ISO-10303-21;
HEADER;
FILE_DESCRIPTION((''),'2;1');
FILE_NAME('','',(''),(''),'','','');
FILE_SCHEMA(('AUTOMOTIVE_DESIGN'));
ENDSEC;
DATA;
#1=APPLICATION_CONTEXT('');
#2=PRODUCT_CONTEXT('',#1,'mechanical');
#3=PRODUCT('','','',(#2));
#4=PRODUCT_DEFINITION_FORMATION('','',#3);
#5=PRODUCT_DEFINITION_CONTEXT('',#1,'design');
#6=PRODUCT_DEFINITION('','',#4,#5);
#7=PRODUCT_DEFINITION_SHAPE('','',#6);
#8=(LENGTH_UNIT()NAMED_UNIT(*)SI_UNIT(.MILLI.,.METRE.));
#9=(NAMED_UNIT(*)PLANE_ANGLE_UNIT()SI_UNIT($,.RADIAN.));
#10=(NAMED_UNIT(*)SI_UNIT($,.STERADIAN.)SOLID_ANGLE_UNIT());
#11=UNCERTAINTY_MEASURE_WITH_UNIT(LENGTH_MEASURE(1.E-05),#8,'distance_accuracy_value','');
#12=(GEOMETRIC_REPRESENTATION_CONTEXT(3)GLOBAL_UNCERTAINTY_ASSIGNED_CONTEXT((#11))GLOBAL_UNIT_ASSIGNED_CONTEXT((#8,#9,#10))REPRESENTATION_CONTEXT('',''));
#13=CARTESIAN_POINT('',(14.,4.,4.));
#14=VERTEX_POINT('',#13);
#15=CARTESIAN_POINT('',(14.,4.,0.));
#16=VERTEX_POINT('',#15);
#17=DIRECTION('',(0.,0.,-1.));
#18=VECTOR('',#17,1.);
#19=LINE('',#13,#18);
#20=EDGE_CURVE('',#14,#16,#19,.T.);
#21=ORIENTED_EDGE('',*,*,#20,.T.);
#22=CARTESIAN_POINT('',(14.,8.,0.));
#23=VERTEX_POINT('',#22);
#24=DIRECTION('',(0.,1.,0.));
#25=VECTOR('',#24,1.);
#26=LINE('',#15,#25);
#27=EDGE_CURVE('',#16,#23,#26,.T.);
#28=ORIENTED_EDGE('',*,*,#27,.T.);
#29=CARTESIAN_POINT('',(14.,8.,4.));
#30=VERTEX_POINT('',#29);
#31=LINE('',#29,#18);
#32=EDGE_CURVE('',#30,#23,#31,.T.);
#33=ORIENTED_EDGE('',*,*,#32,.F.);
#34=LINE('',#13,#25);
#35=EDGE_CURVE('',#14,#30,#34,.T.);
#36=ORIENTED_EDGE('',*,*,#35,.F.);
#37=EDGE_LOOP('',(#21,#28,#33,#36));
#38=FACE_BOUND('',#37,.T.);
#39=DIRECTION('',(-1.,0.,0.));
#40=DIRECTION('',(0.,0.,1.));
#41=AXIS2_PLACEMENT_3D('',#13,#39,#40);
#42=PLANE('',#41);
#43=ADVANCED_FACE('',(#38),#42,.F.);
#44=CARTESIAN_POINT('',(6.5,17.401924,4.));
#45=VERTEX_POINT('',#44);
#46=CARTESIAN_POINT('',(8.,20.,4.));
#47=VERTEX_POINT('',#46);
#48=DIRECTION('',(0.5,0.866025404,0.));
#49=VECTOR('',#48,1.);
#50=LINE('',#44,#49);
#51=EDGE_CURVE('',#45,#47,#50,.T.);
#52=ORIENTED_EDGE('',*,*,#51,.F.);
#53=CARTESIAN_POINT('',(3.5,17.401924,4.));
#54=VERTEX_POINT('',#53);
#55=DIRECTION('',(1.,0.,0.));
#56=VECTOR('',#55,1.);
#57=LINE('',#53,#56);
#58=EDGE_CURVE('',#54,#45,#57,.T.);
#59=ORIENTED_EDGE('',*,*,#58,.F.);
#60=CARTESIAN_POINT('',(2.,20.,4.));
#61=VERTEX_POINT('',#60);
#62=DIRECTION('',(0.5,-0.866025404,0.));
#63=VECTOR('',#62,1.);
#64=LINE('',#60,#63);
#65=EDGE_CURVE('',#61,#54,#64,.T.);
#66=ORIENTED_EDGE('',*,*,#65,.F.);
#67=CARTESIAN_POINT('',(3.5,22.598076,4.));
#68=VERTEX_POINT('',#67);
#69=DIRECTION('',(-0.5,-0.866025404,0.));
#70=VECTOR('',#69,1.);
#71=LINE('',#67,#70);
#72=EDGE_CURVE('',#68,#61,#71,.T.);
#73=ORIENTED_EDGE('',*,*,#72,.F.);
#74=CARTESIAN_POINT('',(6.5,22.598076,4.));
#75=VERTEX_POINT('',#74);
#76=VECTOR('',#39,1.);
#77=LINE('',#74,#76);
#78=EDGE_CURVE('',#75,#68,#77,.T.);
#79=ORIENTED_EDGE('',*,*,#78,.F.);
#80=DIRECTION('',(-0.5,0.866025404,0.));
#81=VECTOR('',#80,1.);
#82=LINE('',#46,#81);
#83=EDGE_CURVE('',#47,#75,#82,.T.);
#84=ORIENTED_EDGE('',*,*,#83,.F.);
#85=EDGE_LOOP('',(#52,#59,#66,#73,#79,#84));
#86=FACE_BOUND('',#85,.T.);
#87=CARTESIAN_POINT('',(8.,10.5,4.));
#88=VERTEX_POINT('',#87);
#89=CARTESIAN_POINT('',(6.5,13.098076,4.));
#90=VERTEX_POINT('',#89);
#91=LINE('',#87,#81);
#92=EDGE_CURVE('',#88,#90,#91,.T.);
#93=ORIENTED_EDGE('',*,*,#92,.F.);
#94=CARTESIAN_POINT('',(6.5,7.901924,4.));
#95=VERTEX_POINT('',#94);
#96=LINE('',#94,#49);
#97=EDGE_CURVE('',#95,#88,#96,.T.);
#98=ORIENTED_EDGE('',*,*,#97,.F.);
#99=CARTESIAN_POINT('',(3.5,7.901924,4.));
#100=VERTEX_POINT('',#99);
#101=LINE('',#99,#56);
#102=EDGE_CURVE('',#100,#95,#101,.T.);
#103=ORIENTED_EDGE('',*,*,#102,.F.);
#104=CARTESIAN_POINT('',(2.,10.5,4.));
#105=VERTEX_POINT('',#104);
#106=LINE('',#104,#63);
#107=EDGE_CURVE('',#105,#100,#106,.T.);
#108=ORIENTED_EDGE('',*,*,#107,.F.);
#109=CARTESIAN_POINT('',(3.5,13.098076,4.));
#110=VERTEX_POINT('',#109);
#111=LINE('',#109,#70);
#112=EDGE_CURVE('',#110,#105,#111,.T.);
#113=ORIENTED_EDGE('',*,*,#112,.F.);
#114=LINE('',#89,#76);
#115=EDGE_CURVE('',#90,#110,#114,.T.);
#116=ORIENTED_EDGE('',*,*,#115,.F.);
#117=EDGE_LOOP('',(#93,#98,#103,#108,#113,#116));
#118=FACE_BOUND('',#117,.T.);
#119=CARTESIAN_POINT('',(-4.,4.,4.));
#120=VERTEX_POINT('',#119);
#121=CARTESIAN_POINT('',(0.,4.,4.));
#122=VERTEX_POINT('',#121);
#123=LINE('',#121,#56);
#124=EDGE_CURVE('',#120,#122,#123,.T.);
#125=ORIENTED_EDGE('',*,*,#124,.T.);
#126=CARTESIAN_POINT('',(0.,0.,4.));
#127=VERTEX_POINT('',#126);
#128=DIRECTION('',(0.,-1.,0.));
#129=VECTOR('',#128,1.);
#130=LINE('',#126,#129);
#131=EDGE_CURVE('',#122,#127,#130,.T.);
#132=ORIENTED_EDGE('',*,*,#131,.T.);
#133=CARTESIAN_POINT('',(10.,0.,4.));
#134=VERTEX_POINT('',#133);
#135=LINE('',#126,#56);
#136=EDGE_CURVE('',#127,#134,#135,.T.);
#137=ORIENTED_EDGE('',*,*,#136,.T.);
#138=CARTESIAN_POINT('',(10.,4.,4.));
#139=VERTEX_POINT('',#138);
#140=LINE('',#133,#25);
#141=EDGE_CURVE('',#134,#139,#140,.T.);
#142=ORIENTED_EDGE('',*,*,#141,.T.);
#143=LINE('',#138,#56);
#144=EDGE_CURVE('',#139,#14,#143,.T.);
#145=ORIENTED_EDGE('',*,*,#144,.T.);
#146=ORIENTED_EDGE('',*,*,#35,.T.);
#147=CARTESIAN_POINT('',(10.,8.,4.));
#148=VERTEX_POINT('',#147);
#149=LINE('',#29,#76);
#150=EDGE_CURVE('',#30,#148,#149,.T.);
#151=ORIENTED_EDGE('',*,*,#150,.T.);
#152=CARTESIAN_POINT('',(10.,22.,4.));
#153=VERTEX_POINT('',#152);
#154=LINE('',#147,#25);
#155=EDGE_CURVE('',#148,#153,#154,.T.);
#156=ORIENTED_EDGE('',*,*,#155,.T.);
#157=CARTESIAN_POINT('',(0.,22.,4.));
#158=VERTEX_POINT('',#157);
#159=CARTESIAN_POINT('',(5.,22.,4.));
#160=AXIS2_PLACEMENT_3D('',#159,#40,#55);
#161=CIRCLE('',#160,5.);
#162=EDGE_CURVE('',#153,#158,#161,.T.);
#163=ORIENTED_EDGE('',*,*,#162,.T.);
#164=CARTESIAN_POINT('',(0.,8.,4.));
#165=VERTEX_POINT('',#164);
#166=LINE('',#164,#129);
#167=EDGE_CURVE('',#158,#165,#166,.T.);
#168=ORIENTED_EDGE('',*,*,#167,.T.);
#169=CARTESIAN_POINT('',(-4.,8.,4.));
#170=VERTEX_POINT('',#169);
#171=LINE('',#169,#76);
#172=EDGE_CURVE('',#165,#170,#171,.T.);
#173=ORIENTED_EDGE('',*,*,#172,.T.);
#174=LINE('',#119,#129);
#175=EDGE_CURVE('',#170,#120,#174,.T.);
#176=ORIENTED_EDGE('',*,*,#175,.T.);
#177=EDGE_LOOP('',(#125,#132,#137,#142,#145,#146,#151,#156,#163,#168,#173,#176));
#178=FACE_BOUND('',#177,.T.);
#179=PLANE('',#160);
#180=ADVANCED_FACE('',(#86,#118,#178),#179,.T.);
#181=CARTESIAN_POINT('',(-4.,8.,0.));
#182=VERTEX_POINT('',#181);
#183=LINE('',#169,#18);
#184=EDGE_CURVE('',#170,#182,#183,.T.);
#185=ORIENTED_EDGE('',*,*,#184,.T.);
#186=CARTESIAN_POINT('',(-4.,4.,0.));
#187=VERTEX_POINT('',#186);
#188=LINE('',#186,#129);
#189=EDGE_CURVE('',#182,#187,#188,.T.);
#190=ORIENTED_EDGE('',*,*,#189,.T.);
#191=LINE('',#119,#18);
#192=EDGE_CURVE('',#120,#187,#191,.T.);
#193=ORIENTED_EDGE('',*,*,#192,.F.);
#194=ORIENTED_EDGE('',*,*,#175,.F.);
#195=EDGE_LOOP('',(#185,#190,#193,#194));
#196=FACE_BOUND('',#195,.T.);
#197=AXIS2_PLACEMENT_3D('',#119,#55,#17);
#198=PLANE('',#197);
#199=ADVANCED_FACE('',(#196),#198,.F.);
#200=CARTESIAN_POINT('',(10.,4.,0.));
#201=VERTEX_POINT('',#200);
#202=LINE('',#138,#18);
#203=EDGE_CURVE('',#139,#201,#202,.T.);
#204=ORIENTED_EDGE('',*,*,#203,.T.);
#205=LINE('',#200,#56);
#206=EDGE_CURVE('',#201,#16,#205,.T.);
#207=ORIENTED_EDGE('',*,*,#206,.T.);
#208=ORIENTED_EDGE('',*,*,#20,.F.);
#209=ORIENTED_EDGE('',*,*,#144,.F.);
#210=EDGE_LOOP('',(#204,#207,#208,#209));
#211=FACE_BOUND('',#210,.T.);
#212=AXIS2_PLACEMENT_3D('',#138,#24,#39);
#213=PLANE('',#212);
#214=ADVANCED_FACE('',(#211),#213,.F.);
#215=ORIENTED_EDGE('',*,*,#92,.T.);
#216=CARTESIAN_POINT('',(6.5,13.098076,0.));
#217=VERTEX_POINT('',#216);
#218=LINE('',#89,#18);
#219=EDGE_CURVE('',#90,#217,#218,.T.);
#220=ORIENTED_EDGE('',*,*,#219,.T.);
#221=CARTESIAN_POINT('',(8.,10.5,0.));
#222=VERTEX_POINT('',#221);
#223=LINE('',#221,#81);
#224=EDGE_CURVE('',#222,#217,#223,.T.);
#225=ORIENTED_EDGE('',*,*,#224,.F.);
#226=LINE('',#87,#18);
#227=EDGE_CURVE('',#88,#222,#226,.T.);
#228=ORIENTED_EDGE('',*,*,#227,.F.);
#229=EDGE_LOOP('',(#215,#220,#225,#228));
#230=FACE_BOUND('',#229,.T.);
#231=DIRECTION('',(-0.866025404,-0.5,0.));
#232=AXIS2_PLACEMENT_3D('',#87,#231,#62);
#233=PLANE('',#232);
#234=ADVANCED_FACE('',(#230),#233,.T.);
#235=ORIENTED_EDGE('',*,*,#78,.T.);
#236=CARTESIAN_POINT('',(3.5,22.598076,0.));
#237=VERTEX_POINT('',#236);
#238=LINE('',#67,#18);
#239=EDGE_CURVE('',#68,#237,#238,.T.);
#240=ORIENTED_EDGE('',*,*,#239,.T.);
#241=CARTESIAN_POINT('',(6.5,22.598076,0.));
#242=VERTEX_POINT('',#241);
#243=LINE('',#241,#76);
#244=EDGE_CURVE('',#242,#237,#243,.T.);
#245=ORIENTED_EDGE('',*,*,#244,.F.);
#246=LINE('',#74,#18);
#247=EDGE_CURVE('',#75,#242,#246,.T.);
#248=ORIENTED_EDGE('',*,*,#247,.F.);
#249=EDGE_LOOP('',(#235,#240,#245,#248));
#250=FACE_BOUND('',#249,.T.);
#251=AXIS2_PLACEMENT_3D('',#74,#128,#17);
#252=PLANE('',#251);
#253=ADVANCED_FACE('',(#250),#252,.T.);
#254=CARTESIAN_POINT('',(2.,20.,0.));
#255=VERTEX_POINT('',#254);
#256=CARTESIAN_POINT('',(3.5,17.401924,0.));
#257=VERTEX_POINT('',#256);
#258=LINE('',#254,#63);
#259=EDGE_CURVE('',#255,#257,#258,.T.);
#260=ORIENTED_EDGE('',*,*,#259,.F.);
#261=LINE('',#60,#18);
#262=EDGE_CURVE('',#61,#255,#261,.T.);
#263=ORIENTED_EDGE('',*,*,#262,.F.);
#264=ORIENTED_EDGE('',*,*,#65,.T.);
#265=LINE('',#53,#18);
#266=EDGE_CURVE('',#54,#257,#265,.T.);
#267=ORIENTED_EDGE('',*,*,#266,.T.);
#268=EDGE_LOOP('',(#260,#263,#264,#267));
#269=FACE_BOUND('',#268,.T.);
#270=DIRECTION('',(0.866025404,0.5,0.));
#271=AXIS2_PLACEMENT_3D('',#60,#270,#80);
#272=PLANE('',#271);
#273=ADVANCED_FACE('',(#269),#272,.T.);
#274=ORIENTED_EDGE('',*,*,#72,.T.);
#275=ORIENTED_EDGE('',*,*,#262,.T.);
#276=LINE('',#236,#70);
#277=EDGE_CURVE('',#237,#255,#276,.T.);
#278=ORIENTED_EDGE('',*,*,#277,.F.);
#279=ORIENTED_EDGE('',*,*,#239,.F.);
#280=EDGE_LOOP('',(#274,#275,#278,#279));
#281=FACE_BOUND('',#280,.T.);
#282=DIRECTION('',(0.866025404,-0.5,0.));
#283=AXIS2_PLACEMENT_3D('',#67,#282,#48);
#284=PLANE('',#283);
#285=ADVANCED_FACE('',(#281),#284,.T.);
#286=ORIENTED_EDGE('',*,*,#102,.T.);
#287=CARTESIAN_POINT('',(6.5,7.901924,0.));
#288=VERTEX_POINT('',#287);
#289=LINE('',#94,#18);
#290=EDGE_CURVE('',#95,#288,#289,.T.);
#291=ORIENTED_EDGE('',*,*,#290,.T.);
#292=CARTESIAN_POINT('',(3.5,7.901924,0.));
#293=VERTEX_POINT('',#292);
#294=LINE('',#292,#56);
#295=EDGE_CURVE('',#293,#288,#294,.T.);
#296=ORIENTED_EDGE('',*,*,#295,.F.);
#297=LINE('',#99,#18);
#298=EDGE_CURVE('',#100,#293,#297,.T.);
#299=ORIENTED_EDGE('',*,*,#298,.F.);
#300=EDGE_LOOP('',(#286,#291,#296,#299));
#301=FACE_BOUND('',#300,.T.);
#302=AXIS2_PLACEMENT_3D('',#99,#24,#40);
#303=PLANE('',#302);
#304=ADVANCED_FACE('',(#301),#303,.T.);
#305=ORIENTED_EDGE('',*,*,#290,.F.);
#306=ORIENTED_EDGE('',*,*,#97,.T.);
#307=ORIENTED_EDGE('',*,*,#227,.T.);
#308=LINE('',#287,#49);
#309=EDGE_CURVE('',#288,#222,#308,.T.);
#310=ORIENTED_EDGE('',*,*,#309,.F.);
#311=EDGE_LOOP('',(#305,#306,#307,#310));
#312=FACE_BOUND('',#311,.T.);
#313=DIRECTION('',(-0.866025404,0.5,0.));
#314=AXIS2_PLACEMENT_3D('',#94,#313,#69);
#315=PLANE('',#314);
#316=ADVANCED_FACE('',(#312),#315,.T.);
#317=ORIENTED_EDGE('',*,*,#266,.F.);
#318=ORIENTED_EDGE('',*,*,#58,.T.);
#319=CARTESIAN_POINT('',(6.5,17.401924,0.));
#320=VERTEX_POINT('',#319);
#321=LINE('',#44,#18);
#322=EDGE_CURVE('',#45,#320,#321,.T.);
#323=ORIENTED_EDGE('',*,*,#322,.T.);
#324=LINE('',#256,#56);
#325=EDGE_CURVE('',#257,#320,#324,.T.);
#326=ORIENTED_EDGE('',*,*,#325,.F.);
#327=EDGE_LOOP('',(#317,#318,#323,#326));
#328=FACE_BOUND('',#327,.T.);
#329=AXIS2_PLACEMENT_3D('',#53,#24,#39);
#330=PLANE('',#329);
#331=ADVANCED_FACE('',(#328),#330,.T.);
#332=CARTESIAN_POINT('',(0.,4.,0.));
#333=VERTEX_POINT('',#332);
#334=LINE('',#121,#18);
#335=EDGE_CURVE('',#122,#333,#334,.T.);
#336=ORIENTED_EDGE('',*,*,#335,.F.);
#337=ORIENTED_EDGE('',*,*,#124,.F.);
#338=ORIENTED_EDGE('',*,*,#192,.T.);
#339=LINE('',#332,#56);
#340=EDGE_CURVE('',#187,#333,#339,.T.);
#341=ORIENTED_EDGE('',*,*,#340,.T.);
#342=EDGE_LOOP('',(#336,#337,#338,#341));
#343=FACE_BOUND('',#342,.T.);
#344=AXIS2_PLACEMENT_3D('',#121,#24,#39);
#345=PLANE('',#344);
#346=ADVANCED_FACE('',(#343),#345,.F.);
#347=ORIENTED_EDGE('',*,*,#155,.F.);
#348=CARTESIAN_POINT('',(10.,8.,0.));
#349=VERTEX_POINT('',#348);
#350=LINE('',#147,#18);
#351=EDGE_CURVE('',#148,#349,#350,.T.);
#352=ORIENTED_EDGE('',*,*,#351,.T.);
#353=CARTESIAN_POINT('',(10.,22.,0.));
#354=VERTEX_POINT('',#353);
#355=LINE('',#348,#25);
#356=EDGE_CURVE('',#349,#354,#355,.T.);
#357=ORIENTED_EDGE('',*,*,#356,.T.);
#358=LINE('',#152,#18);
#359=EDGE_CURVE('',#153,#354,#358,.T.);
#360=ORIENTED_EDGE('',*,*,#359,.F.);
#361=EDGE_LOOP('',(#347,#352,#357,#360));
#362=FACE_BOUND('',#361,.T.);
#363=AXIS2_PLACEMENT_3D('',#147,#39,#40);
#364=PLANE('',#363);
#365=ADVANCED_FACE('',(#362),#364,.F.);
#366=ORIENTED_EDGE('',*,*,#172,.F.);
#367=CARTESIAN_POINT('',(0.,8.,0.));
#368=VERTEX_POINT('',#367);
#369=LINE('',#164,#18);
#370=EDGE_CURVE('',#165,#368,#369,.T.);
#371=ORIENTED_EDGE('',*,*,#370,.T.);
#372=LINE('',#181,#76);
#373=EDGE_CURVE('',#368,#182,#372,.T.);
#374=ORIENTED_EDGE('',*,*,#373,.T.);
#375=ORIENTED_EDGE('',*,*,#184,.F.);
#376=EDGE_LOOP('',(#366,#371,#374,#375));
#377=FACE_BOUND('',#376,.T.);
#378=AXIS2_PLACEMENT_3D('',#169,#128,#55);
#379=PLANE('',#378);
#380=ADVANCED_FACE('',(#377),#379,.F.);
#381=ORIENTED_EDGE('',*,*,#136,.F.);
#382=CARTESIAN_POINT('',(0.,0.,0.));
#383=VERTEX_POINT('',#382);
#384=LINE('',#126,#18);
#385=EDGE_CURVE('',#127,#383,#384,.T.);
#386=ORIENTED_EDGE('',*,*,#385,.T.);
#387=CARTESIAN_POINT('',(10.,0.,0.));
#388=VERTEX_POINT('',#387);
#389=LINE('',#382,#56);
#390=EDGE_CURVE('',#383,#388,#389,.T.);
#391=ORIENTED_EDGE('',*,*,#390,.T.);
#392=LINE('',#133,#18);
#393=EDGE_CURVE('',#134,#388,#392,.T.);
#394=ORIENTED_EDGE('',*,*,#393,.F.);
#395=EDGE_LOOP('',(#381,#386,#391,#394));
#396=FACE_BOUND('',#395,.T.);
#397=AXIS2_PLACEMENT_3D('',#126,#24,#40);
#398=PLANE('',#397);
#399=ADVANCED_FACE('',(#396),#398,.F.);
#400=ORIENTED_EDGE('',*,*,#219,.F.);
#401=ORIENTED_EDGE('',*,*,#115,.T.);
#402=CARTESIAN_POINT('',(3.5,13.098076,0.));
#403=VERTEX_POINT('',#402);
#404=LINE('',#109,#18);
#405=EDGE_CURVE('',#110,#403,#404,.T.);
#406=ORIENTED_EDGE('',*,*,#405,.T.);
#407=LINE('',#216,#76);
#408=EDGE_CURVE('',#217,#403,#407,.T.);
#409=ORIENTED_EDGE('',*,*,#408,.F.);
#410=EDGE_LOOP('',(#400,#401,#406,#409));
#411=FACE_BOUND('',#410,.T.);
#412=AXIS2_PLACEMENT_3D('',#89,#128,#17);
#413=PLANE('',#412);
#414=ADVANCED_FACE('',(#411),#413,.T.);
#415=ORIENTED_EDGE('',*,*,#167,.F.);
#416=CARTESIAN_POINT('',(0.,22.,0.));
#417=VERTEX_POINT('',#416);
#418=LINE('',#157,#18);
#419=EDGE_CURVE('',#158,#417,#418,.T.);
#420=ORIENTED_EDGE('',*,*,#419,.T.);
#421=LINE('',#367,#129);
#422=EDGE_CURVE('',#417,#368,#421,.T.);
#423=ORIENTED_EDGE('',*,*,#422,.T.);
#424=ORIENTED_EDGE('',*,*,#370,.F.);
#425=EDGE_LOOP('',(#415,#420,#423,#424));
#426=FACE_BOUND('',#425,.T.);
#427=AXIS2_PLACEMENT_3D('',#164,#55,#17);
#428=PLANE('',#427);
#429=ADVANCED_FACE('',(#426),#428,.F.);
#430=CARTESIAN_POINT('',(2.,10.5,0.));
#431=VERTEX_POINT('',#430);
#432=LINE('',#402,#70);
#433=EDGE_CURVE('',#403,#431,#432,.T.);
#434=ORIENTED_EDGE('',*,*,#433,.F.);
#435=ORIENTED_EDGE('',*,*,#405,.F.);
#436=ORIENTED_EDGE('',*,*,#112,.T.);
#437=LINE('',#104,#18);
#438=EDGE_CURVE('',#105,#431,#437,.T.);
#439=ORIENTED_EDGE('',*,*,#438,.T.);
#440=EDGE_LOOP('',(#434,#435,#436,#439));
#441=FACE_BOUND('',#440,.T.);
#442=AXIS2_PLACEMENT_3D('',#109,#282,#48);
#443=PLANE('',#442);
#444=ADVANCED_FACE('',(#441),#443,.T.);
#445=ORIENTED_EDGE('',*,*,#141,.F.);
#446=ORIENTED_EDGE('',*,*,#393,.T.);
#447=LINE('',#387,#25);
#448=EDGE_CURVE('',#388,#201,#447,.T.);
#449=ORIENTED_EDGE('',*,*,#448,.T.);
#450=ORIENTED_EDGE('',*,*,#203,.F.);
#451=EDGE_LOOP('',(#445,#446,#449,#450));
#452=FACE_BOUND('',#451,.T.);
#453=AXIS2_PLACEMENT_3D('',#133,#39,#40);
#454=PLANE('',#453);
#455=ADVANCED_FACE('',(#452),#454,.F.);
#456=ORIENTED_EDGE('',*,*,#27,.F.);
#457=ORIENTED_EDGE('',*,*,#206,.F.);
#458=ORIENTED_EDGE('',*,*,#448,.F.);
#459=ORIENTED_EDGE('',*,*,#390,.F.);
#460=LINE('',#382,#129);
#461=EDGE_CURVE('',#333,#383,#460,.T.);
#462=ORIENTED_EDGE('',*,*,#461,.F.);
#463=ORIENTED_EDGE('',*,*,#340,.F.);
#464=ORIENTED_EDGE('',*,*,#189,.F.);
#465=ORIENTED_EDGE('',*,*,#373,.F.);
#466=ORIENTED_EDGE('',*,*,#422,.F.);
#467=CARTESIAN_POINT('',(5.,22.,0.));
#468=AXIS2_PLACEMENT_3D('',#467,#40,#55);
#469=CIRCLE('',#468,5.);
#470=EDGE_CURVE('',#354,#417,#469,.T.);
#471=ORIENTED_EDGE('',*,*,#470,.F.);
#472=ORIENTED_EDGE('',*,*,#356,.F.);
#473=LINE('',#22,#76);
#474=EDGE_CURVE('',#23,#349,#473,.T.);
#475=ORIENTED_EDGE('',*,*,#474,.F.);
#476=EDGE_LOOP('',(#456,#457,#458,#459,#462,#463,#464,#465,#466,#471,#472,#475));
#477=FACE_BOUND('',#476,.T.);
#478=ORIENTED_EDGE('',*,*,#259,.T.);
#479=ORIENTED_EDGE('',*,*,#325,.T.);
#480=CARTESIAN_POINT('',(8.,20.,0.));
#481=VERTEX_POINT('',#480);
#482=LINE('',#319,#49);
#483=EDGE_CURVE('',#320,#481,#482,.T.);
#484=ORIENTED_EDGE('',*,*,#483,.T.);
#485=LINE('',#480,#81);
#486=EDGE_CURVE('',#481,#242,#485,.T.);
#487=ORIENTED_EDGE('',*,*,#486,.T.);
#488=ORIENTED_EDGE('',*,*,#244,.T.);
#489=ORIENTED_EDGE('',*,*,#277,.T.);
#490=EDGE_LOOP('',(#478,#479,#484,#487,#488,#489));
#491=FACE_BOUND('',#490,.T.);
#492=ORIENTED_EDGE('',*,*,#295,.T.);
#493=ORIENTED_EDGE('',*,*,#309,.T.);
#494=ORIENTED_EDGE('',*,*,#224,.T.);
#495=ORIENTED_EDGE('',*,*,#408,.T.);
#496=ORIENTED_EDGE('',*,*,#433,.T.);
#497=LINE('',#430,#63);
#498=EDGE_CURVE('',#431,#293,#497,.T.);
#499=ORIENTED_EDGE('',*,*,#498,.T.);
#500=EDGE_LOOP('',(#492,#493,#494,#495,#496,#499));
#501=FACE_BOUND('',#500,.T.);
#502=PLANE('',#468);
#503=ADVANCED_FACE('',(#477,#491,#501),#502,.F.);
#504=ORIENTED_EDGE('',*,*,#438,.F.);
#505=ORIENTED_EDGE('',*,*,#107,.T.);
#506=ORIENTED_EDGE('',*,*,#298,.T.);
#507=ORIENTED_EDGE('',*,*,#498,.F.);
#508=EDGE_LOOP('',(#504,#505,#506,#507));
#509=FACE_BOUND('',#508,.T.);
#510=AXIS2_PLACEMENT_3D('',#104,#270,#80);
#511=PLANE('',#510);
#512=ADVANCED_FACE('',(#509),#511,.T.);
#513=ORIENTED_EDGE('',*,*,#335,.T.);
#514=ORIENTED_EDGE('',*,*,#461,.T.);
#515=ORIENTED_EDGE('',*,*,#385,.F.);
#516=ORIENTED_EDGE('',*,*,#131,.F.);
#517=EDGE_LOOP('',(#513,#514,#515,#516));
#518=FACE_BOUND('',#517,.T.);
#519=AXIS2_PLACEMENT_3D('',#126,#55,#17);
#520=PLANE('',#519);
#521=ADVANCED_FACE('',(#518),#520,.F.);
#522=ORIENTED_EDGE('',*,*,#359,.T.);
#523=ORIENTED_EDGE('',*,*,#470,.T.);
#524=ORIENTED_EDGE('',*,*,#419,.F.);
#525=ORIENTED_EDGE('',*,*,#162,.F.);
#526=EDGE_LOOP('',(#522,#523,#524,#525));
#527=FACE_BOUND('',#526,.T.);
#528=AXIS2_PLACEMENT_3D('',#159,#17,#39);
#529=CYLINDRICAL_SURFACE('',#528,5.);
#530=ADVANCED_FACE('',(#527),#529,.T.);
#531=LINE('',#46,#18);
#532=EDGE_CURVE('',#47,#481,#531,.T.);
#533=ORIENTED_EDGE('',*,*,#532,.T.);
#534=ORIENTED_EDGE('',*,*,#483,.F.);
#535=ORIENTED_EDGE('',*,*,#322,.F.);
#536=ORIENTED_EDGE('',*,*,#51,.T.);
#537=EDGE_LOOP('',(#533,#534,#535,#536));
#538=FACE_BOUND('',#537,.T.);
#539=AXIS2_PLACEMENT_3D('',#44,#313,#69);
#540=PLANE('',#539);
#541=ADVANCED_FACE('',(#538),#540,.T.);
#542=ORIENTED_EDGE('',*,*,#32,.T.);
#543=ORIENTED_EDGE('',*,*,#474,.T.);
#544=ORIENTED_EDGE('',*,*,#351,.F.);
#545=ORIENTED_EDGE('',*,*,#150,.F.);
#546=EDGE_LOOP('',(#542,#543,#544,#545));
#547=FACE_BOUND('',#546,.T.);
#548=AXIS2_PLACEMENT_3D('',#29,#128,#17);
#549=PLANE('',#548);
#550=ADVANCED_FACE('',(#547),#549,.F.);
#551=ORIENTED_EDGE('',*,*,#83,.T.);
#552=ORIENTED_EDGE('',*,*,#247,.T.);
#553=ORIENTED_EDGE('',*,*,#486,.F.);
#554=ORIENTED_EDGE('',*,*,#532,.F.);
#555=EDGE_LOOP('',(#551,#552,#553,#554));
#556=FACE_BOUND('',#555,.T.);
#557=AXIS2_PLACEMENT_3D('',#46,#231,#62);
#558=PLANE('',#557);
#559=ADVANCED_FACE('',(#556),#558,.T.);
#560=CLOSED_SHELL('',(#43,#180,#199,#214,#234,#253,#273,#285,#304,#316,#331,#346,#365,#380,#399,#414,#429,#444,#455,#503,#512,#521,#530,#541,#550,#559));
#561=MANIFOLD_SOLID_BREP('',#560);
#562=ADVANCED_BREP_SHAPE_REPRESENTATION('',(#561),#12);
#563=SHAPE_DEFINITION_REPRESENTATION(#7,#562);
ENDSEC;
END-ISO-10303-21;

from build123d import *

# Parameters (mm, degrees)
BOSS_EXTRUDE1_DEPTH = 4


with BuildPart() as part:
    # Sketch1 → Boss-Extrude1 (new body)
    with BuildSketch(Plane.XY):
        with BuildLine():
            Line((0, 0), (10, 0))
            Line((10, 0), (10, 4))
            Line((10, 4), (14, 4))
            Line((14, 4), (14, 8))
            Line((14, 8), (10, 8))
            Line((10, 8), (10, 22))
            ThreePointArc((10, 22), (5, 27), (0, 22))
            Line((0, 22), (0, 8))
            Line((0, 8), (-4, 8))
            Line((-4, 8), (-4, 4))
            Line((-4, 4), (0, 4))
            Line((0, 4), (0, 0))
        make_face()
        Polygon((3.5, 17.401923789), (6.5, 17.401923789), (8, 20), (6.5, 22.598076211), (3.5, 22.598076211), (2, 20), align=None, mode=Mode.SUBTRACT)
        Polygon((8, 10.5), (6.5, 13.098076211), (3.5, 13.098076211), (2, 10.5), (3.5, 7.901923789), (6.5, 7.901923789), align=None, mode=Mode.SUBTRACT)
    extrude(amount=BOSS_EXTRUDE1_DEPTH)


solid = part.part
